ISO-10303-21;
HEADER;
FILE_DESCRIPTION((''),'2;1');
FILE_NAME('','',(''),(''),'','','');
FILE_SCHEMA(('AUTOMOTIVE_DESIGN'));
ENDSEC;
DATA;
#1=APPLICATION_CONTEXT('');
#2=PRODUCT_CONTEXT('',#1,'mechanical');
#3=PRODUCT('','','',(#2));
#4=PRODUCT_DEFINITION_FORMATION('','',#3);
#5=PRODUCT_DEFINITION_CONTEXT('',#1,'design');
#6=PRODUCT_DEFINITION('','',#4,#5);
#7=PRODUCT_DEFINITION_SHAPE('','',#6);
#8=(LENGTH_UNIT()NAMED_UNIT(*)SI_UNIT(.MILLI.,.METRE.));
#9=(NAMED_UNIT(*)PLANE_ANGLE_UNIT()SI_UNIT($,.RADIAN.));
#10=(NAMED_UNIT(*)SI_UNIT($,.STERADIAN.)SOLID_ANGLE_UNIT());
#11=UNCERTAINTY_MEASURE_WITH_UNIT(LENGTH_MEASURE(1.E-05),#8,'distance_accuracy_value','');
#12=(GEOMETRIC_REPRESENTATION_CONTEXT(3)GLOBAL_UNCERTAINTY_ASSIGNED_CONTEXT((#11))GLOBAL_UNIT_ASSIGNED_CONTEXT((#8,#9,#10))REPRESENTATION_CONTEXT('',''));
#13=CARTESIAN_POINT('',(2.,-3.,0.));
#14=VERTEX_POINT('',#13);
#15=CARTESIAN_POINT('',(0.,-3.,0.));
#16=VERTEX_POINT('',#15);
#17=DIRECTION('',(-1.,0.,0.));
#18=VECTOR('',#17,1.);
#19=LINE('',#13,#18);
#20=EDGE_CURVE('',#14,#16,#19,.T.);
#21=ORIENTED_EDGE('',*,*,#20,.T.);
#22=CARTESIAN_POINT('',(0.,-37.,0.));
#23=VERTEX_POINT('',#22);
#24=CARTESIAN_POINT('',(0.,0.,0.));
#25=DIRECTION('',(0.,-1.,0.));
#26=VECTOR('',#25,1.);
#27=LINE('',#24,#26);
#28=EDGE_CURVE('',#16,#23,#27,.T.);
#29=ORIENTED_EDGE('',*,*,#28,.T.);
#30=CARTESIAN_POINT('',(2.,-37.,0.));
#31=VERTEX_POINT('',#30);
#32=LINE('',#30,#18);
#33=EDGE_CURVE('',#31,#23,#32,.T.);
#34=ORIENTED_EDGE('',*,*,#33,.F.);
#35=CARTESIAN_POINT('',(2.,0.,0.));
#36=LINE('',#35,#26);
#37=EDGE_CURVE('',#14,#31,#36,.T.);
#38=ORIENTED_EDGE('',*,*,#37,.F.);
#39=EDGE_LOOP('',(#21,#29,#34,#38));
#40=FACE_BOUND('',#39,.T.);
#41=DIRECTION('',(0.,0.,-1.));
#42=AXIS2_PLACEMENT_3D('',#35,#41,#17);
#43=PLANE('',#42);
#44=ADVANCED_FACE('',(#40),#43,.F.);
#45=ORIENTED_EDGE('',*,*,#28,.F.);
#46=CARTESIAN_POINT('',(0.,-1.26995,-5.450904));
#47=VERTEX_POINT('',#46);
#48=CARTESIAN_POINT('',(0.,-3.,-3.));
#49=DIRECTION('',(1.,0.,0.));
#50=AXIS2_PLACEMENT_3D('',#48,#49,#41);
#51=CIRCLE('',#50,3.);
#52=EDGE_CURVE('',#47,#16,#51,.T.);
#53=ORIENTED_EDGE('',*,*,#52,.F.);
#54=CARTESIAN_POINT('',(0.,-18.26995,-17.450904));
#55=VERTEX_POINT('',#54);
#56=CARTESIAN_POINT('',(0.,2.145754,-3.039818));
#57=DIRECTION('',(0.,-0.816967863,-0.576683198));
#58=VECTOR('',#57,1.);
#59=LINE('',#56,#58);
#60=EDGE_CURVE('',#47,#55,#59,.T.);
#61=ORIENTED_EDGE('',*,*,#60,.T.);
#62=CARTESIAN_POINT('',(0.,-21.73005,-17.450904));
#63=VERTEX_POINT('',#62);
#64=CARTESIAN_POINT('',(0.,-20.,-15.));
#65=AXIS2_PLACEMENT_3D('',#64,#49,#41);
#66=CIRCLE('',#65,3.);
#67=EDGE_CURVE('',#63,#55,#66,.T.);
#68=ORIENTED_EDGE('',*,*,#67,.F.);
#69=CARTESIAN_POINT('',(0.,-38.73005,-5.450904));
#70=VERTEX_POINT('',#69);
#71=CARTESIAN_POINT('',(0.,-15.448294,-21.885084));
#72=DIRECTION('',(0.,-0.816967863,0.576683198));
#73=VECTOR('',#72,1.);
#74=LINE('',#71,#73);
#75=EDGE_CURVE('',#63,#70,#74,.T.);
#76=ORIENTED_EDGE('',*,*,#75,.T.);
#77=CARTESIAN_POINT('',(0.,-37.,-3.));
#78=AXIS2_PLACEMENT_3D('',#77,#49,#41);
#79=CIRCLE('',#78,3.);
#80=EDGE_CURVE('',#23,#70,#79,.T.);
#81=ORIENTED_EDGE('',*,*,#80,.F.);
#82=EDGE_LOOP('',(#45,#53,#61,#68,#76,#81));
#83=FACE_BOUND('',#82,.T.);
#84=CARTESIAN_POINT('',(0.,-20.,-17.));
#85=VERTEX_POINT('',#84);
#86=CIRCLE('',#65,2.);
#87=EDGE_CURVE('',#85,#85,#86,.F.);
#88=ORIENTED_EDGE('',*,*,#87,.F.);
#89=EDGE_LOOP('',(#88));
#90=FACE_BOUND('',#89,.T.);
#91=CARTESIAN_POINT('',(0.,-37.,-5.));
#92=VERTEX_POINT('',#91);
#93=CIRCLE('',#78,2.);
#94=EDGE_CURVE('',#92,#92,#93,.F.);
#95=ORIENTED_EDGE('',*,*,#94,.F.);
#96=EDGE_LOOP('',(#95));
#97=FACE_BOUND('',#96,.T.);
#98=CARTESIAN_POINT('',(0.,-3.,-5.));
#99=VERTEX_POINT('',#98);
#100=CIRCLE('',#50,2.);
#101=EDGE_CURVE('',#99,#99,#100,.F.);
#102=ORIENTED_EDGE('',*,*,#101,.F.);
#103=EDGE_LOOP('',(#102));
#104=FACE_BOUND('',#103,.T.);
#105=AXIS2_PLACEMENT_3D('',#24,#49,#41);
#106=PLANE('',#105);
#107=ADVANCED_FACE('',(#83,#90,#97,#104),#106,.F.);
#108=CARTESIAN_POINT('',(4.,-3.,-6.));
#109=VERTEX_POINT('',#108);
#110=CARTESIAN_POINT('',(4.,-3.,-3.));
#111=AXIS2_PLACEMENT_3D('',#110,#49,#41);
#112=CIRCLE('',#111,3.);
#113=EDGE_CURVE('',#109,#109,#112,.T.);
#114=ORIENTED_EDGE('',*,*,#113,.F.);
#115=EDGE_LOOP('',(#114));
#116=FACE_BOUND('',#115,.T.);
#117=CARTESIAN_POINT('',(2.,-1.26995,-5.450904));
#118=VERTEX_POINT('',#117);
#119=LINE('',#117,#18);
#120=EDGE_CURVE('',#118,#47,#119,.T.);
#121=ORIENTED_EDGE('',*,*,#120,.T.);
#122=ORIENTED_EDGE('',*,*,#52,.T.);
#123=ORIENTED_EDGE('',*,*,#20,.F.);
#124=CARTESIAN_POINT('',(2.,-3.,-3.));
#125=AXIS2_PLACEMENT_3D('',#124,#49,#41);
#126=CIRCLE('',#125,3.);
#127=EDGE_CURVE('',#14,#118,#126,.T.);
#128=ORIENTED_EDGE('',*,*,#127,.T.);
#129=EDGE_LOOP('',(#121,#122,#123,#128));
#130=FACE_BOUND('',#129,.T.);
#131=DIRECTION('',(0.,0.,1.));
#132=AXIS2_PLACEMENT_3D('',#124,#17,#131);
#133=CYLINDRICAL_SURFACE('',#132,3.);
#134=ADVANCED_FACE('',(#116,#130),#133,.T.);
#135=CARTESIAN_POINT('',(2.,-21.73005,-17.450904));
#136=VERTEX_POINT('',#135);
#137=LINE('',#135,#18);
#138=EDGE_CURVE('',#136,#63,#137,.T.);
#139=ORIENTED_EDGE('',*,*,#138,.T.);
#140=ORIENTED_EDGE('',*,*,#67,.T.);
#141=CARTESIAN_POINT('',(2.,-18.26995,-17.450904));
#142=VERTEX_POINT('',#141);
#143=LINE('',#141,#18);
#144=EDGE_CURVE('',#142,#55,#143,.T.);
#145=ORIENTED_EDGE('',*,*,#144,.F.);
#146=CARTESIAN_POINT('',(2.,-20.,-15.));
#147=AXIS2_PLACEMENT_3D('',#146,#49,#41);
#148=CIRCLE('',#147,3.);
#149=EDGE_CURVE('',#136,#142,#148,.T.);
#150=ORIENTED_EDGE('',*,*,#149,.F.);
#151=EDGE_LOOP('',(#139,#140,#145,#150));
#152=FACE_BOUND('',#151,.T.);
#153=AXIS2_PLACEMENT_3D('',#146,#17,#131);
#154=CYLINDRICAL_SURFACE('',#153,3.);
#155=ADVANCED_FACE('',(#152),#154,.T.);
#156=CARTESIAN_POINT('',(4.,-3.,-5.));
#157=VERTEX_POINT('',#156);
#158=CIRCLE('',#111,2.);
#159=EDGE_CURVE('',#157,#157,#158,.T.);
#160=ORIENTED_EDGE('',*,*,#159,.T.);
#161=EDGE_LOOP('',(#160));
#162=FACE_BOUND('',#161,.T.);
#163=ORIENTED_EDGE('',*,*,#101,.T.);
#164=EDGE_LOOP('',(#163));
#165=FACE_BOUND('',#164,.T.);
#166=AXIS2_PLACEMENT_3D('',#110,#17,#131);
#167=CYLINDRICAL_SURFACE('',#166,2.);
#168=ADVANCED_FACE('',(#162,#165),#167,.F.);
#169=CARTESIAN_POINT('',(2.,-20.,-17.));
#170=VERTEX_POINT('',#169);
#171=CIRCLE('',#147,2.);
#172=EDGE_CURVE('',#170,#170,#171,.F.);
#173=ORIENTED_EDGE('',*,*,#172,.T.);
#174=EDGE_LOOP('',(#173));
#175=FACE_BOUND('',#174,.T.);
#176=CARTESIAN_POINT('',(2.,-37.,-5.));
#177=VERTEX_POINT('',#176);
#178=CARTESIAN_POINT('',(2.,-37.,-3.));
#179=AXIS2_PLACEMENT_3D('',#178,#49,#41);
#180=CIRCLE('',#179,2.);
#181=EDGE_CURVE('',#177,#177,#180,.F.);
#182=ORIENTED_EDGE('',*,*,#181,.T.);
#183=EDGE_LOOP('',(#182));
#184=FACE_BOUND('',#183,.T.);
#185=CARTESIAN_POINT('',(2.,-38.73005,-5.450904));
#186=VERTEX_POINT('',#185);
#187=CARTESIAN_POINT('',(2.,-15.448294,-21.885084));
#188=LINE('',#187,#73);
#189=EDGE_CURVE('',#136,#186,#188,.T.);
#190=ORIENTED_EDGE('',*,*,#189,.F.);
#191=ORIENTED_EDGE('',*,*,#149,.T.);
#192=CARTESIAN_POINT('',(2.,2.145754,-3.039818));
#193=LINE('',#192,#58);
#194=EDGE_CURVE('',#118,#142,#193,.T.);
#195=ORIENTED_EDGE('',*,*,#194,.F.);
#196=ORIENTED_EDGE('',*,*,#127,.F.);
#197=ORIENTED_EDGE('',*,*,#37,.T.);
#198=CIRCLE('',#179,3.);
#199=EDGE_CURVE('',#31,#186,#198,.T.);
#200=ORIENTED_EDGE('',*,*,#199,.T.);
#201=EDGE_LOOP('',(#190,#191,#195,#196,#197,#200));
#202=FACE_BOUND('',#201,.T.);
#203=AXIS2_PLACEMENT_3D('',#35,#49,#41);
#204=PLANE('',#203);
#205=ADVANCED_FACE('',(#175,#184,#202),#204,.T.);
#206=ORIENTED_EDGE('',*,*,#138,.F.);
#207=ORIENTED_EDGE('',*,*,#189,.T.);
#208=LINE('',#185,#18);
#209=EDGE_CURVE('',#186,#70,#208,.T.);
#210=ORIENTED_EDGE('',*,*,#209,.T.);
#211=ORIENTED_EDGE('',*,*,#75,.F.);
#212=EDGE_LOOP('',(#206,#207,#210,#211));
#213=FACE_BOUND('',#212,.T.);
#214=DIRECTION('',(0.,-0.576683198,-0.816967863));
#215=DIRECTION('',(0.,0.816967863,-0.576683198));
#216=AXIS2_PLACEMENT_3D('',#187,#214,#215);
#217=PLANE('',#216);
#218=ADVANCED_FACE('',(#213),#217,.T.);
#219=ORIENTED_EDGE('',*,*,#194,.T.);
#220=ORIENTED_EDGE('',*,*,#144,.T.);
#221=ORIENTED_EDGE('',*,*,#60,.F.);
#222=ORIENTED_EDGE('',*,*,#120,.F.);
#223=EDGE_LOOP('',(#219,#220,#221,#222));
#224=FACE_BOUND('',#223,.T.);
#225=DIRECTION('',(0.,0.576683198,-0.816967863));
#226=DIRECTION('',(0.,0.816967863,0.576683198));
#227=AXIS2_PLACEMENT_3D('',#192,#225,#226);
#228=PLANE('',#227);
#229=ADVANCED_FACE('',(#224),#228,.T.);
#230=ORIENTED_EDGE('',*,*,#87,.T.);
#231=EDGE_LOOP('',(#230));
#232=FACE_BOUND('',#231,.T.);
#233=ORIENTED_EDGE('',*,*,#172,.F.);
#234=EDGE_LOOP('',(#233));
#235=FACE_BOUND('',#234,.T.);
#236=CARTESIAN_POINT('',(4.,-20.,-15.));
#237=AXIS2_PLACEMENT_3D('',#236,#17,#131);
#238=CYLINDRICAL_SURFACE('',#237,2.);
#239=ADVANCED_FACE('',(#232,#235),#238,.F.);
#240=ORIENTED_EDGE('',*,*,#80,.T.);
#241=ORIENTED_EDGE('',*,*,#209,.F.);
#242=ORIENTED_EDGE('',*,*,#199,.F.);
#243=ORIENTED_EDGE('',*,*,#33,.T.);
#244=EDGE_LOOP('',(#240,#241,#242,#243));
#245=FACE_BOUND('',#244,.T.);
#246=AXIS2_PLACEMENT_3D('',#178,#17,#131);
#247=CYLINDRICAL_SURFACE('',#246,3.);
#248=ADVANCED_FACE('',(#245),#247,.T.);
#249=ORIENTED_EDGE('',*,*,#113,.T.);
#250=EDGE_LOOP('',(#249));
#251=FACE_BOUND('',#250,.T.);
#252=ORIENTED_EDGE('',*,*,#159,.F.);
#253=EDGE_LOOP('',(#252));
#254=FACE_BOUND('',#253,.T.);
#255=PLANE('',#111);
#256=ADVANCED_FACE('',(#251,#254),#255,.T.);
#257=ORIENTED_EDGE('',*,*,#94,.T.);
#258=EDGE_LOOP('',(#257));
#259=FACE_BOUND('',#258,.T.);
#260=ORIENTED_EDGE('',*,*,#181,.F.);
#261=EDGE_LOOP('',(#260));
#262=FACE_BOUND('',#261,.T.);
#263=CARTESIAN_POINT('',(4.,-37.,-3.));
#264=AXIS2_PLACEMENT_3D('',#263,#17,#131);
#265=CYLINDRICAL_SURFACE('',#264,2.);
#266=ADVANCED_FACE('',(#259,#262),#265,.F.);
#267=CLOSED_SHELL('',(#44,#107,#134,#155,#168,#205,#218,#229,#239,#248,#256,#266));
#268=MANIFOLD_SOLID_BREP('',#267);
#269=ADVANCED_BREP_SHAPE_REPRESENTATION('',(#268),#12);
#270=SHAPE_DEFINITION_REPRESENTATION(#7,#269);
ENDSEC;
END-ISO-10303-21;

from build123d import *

# Parameters (mm, degrees)
EXTRUDE_1_DEPTH          = 2
EXTRUDE_START            = 2
SKETCH_1_4_R             = 3
EXTRUDE_2_DEPTH          = 2
CUT_EXTRUDE_1_DEPTH      = 45.045431091
CUT_EXTRUDE_1_DEPTH_BACK = 45.045431091
SKETCH_1_3_R             = 2


with BuildPart() as part:
    # 草图1 → 凸台-拉伸1 (new body)
    with BuildSketch(Plane(origin=(0, 0, 0), x_dir=(0, 0, -1), z_dir=(1, 0, 0))):
        with BuildLine():
            Line((17.45090359, -18.269950407), (5.45090359, -1.269950407))
            ThreePointArc((5.45090359, -1.269950407), (2.092451315, -0.140567297), (0, -3))
            Line((0, -3), (0, -37))
            ThreePointArc((0, -37), (2.092451315, -39.859432703), (5.45090359, -38.730049593))
            Line((5.45090359, -38.730049593), (17.45090359, -21.730049593))
            ThreePointArc((17.45090359, -21.730049593), (18, -20), (17.45090359, -18.269950407))
        make_face()
    extrude(amount=EXTRUDE_1_DEPTH)

    # 草图1<4> → 凸台-拉伸2 (add)
    with BuildSketch(Plane(origin=(0, 0, 0), x_dir=(0, 0, -1), z_dir=(1, 0, 0)).offset(EXTRUDE_START)):
        with Locations(Location((3, -3, 0), (0, 0, 180))):
            Circle(SKETCH_1_4_R)
    extrude(amount=EXTRUDE_2_DEPTH)

    # 草图1<3> → 切除-拉伸1 (cut, two sides: drawn at the far end of the back side and taken through both)
    with BuildSketch(Plane(origin=(0, 0, 0), x_dir=(0, 0, -1), z_dir=(1, 0, 0)).offset(-CUT_EXTRUDE_1_DEPTH_BACK)):
        with Locations((3, -3)):
            Circle(SKETCH_1_3_R)
        with Locations((15, -20)):
            Circle(SKETCH_1_3_R)
        with Locations((3, -37)):
            Circle(SKETCH_1_3_R)
    extrude(amount=CUT_EXTRUDE_1_DEPTH + CUT_EXTRUDE_1_DEPTH_BACK, mode=Mode.SUBTRACT)


solid = part.part
